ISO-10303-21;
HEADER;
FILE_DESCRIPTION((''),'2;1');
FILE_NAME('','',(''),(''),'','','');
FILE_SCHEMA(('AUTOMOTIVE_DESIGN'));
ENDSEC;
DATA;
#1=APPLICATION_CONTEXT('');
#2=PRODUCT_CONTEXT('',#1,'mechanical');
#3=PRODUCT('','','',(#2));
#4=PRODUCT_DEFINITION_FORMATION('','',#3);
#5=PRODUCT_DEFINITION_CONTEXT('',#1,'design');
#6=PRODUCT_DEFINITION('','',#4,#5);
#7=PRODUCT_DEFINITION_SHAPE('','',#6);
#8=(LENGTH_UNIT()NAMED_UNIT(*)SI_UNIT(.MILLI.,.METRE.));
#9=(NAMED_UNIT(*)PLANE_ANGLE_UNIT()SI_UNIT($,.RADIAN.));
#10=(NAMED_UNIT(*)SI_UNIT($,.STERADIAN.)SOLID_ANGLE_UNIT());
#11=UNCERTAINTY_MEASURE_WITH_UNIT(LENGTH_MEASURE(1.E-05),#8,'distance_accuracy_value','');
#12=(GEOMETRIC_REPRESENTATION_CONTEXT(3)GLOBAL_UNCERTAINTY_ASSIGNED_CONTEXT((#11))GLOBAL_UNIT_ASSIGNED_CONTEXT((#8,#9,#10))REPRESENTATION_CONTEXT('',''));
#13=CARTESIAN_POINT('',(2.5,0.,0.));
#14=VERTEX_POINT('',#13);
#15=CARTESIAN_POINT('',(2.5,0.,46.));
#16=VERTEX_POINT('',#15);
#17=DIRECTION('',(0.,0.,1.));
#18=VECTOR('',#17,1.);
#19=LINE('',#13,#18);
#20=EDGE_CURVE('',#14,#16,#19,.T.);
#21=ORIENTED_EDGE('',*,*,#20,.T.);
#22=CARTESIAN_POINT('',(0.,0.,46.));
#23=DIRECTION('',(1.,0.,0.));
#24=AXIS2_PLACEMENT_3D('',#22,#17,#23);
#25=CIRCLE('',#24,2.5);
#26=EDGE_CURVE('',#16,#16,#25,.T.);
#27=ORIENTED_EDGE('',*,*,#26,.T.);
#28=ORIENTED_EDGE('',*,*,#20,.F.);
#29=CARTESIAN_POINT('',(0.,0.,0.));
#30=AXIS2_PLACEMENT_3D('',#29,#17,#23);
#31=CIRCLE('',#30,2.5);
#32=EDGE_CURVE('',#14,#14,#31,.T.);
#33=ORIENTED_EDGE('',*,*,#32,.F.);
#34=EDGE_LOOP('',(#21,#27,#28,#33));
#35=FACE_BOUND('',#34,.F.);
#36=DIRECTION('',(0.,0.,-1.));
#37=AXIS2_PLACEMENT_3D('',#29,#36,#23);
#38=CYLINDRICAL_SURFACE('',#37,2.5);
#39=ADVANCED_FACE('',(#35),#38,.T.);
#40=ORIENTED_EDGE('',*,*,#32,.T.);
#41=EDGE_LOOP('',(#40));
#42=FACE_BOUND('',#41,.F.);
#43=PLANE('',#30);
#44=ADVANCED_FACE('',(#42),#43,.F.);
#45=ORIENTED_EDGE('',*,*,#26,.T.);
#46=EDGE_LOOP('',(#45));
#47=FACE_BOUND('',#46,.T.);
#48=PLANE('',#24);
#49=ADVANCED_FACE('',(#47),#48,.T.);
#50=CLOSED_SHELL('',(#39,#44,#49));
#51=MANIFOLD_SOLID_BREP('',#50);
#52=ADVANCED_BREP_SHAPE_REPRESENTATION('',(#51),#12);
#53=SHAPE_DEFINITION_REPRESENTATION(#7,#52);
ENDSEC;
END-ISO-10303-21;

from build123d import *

# Parameters (mm, degrees)
SKETCH1_R           = 2.5
BOSS_EXTRUDE1_DEPTH = 46


with BuildPart() as part:
    # Sketch1 → Boss-Extrude1 (new body)
    with BuildSketch(Plane.XY):
        Circle(SKETCH1_R)
    extrude(amount=BOSS_EXTRUDE1_DEPTH)


solid = part.part
